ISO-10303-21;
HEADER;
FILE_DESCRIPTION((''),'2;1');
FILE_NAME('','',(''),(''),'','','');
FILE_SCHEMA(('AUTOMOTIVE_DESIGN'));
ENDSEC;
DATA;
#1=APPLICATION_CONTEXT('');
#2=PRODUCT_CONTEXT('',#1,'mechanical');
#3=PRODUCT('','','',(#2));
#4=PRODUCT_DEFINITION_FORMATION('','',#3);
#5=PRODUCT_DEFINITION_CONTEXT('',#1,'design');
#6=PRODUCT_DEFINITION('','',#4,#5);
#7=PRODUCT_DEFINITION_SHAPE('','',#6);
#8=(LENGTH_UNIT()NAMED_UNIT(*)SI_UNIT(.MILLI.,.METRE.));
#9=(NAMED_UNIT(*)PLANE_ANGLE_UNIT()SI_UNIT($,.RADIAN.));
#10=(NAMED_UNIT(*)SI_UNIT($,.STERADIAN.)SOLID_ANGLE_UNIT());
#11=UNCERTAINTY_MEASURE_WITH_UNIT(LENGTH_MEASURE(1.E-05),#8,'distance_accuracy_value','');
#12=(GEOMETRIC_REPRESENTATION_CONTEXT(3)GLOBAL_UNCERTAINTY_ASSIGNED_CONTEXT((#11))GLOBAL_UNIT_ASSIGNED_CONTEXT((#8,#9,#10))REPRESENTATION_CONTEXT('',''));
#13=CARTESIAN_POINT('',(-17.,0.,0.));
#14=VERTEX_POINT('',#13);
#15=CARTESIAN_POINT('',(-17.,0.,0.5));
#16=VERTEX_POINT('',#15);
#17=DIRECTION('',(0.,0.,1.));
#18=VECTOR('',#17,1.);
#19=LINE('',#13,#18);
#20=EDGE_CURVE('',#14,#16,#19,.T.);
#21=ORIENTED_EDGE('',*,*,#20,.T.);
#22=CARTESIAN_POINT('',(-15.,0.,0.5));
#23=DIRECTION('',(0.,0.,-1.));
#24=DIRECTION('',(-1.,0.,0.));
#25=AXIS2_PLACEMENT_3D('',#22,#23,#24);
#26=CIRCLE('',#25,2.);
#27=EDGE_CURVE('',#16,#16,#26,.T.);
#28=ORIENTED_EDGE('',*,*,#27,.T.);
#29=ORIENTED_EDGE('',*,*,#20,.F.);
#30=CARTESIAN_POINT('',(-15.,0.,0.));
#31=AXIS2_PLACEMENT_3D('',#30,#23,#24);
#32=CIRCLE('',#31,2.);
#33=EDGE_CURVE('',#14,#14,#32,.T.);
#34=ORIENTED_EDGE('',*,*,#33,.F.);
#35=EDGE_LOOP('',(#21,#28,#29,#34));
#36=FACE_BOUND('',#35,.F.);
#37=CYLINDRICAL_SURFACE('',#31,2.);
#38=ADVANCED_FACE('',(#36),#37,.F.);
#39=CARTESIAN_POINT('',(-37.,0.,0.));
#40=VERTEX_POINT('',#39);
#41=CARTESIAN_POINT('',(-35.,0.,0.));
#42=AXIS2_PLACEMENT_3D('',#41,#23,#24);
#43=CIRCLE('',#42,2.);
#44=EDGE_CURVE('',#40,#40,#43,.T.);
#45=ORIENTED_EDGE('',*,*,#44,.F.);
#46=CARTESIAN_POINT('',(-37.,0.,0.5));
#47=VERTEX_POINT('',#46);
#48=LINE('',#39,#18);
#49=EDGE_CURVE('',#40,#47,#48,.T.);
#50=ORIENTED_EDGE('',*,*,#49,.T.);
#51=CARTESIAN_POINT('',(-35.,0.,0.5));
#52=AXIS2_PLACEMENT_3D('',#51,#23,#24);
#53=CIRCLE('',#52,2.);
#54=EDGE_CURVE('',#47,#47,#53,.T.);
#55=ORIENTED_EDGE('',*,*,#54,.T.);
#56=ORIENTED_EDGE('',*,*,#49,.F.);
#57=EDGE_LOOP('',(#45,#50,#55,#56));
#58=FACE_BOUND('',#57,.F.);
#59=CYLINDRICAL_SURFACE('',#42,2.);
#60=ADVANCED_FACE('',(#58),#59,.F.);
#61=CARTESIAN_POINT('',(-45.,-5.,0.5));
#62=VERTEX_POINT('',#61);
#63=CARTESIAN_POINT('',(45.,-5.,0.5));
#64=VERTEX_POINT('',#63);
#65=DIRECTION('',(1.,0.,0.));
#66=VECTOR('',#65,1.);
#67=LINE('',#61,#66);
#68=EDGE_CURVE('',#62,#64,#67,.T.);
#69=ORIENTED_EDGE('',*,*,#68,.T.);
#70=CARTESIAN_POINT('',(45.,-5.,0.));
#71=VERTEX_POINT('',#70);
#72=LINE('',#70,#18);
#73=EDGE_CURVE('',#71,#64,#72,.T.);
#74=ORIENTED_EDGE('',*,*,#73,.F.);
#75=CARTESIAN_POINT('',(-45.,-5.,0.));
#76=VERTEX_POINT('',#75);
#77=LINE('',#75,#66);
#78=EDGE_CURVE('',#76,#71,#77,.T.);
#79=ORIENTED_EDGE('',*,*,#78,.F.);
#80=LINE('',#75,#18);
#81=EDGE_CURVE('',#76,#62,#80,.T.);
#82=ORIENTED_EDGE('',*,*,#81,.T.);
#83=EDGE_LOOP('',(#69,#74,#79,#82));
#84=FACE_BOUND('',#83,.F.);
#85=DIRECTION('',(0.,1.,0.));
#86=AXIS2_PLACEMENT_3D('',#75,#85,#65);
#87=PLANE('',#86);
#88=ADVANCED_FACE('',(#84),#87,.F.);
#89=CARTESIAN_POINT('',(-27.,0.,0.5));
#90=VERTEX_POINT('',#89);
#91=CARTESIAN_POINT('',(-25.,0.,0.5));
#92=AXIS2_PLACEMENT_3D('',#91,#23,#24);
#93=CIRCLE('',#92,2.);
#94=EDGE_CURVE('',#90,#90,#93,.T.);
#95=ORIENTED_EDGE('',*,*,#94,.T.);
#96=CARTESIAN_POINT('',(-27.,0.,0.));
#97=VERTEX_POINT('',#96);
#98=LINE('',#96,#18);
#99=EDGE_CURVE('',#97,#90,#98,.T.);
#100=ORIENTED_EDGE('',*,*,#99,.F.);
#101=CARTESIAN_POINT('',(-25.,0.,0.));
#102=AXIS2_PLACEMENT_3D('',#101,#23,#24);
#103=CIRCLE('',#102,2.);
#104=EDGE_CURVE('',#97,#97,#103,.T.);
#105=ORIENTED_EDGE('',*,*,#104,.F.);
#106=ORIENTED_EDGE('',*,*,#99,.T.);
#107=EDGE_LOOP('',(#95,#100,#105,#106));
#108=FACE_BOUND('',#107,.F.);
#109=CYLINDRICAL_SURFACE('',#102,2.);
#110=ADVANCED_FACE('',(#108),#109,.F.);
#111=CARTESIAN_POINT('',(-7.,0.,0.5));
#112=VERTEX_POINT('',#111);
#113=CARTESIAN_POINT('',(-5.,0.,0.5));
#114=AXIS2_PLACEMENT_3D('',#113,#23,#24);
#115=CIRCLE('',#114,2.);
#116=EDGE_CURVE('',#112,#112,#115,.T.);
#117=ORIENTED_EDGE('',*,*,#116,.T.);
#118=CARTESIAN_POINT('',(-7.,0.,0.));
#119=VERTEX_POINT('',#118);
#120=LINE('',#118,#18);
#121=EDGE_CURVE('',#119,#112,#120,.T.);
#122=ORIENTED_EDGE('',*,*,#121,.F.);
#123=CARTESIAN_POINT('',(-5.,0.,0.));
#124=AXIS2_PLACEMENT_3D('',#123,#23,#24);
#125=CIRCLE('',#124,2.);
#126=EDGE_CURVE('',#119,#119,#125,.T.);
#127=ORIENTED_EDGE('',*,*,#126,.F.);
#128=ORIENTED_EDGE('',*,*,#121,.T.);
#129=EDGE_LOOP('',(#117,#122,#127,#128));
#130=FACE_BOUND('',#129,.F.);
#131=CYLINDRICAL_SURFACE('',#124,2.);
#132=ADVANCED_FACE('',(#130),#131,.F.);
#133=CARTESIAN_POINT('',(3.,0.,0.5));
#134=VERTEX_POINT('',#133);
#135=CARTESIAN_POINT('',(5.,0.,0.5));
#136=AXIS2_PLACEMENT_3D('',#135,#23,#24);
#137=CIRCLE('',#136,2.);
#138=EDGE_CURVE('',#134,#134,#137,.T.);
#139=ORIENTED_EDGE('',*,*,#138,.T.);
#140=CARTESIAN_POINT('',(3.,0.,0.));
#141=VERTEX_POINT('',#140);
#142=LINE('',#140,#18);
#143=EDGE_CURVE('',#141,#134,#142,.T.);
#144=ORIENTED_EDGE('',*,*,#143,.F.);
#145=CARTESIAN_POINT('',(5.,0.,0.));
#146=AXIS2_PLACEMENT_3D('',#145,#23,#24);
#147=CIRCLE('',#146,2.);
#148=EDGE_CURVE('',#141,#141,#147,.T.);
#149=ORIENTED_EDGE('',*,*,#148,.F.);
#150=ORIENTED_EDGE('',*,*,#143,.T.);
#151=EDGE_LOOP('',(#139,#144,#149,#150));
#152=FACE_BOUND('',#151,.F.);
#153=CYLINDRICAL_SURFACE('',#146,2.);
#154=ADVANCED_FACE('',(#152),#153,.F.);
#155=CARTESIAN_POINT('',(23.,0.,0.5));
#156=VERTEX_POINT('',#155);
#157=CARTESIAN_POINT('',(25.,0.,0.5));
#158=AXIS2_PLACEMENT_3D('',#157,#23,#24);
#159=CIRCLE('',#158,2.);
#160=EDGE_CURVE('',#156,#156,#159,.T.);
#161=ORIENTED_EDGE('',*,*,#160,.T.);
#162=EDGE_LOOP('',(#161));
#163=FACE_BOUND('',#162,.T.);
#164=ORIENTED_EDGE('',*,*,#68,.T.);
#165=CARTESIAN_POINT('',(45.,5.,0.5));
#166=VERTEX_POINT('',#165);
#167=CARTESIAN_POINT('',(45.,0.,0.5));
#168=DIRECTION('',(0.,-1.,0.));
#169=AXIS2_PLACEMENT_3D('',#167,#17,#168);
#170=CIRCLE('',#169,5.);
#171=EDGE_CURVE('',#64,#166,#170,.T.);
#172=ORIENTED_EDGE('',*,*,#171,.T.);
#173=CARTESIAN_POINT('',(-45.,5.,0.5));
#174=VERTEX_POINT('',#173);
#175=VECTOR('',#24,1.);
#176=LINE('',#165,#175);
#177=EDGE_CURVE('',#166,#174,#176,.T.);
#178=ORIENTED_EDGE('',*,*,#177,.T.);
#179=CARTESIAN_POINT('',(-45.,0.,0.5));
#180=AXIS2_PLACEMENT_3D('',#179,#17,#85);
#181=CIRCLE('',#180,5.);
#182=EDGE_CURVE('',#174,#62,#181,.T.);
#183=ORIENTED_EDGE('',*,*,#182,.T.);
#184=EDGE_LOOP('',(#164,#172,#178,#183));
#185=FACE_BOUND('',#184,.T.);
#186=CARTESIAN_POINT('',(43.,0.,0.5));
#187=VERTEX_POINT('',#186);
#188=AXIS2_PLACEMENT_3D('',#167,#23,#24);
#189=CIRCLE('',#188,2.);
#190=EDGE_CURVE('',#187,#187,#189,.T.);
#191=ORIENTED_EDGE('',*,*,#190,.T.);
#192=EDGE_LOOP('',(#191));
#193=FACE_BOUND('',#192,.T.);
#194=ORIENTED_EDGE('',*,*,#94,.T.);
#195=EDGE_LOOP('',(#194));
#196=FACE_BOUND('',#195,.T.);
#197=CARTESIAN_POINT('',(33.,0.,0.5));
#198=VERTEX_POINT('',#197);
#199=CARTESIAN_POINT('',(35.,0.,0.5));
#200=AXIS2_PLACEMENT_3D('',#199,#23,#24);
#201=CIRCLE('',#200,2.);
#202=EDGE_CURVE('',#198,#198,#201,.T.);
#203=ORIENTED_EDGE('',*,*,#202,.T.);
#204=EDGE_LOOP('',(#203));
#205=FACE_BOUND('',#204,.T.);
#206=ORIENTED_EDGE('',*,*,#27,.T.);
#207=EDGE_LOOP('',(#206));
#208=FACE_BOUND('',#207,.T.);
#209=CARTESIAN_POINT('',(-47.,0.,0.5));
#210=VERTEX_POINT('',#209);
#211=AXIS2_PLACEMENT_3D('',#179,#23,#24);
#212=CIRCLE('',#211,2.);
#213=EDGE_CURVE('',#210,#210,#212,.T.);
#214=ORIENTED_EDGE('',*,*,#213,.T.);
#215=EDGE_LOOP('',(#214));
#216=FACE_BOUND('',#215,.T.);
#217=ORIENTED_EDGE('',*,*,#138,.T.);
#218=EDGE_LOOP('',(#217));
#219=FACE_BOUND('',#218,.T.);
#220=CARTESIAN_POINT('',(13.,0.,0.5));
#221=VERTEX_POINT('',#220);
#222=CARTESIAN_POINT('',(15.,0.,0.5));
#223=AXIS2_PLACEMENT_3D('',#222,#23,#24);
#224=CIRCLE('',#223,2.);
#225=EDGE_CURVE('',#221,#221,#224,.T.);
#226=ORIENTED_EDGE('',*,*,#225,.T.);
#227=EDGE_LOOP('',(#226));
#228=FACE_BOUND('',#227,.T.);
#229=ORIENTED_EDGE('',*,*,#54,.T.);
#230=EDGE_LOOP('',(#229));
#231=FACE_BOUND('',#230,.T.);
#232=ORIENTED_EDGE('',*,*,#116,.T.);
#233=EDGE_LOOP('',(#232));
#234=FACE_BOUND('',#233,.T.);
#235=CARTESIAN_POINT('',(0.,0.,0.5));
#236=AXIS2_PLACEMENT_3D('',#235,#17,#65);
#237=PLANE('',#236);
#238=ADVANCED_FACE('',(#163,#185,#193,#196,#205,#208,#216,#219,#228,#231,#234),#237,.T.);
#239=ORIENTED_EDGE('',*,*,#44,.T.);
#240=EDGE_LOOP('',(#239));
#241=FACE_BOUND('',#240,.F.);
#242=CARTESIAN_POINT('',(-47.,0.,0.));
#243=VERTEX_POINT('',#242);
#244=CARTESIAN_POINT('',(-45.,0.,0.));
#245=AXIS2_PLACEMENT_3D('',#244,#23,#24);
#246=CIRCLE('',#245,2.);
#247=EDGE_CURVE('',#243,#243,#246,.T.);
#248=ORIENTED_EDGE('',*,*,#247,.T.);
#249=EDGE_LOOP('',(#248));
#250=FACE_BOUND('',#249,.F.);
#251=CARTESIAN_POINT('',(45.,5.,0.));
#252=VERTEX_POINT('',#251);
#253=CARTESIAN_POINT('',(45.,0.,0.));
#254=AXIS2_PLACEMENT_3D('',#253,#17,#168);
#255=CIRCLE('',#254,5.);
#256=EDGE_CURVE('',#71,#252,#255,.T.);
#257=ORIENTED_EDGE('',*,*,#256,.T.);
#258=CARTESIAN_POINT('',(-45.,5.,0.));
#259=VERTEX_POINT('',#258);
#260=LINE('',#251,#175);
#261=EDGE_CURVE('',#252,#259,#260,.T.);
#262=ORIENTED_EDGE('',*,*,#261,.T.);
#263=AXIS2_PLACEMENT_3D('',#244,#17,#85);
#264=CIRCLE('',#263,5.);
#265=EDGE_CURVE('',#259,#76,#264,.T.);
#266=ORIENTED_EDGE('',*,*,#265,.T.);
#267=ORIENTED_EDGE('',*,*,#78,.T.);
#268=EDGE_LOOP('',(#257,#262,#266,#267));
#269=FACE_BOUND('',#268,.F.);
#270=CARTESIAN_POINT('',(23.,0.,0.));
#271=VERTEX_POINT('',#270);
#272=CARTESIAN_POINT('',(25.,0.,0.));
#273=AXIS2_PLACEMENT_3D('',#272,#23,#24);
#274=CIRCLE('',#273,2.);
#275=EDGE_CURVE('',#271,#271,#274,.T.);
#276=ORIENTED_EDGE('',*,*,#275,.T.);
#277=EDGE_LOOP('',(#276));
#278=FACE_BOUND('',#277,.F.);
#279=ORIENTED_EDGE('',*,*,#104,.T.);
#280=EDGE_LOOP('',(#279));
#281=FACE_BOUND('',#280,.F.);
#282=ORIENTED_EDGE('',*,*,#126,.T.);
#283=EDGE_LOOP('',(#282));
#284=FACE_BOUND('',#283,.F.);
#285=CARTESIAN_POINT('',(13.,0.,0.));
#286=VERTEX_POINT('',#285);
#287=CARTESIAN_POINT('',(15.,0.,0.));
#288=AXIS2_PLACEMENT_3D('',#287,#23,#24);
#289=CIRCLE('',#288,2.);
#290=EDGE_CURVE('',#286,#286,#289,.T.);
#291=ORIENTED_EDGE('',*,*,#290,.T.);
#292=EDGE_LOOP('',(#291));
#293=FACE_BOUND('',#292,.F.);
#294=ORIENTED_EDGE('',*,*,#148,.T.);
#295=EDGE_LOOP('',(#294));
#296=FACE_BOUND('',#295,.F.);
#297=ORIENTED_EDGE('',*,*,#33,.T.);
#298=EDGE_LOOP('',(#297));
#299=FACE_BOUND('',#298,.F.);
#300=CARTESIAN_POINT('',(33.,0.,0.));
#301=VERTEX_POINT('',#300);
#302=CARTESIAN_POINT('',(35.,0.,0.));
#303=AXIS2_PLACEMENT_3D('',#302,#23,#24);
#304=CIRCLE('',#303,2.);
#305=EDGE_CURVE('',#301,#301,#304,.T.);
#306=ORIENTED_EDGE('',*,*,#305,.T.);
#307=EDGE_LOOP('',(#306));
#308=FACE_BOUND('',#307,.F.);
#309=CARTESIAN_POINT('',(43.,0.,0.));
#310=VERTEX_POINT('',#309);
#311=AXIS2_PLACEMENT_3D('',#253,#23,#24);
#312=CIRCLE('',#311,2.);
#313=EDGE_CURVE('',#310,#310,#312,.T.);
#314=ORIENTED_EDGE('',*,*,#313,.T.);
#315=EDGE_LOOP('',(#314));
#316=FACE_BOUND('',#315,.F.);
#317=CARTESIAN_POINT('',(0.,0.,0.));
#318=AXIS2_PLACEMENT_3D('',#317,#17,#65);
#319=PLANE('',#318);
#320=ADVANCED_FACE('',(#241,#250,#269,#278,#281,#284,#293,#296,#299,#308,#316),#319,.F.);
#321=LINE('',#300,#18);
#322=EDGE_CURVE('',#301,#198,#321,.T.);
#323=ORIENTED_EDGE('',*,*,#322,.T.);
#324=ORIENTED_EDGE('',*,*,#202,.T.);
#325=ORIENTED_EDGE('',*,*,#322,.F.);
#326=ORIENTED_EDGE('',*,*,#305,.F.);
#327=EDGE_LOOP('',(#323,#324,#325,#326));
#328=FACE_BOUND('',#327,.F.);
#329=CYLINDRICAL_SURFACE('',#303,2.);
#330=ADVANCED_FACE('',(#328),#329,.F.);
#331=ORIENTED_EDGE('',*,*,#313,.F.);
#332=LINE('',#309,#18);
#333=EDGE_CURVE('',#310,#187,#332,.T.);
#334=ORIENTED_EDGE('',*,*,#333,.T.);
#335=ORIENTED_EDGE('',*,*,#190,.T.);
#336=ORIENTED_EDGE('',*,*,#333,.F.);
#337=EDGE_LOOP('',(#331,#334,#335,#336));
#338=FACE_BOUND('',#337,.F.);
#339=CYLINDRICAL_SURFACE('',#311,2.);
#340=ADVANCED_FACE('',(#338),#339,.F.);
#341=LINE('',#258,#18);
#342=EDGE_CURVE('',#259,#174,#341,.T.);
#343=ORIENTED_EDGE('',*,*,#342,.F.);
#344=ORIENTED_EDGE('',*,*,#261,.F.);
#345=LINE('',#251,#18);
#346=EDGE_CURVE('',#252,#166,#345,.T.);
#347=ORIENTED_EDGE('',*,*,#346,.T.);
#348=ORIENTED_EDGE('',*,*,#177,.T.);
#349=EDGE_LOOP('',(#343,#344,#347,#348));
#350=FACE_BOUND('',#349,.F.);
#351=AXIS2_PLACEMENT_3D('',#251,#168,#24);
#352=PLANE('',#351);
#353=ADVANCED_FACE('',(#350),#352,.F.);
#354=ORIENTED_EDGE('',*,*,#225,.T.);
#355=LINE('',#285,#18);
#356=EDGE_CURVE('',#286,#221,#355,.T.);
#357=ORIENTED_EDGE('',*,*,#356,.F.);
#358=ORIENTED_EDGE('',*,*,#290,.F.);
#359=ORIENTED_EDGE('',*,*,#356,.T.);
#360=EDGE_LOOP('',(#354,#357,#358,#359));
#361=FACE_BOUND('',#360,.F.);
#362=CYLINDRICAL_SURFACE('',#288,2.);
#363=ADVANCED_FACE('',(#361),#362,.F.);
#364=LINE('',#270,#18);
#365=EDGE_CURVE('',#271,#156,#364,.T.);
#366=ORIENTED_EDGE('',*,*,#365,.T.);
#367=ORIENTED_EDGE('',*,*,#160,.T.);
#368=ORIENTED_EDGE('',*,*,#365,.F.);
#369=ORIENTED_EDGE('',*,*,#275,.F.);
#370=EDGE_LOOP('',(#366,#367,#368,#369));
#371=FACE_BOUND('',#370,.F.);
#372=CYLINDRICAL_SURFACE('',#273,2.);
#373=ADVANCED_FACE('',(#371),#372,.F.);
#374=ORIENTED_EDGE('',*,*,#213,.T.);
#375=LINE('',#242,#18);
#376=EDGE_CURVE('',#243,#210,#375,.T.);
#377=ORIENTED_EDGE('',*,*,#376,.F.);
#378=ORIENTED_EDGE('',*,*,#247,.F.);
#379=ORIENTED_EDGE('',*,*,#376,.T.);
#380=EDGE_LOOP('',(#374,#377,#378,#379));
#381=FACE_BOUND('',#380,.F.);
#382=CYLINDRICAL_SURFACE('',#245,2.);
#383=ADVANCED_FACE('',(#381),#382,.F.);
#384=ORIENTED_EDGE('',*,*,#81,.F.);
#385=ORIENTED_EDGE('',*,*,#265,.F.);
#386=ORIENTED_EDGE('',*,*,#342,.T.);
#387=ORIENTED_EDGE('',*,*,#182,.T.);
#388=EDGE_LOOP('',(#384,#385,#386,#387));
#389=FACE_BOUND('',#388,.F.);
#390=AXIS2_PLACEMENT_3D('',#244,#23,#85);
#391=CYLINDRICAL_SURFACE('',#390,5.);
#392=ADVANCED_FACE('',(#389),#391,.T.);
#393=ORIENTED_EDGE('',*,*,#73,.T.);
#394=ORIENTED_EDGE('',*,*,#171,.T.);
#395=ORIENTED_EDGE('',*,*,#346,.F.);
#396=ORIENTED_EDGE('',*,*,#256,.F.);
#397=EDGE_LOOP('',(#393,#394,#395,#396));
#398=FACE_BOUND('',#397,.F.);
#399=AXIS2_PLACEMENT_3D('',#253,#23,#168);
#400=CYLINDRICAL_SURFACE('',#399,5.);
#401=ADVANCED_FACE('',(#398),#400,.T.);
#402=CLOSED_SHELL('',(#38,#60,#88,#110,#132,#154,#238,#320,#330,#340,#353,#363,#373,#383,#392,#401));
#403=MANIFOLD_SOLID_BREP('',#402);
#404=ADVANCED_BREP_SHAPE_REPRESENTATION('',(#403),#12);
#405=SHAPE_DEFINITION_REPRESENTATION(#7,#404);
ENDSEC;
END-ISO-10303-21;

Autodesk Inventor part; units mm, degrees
ref_plane "YZ Plane" through (0, 0, 0) normal (1, 0, 0) x (0, 1, 0)
ref_plane "XZ Plane" through (0, 0, 0) normal (0, 1, 0) x (-1, 0, 0)
ref_plane "XY Plane" through (0, 0, 0) normal (0, 0, 1) x (1, 0, 0)
sketch "Náčrt1" plane through (0, 0, 0) normal (0, 0, 1) x (1, 0, 0)
  line L0 (-45, 0) -> (45, 0) construction
  line L1 (-45, -5) -> (45, -5)
  line L2 (45, 5) -> (-45, 5)
  arc A0 (-45, 5) -> (-45, -5) centre (-45, 0) ccw
  arc A1 (45, -5) -> (45, 5) centre (45, 0) ccw
  point P0 (0, 0)
  point P1 (50, 0)
  dimension "d0" = 50
  dimension "d1" = 5
extrude "Vysunutí1" add sketch "Náčrt1" along normal blind 0.5
sketch "Náčrt2" plane through (0, 0, 0) normal (0, 0, -1) x (-1, 0, 0)
  arc A0 (45, -5) -> (45, 5) centre (45, 0) ccw projected
  circle A1 centre (45, 0) radius 2
  point P0 (0, 0)
  dimension "d4" = 4
extrude "Vysunutí2" cut sketch "Náčrt2" against normal through all
pattern_linear "Obdélníkové pole1" count 10 spacing 10 along (1, 0, 0) of "Vysunutí2"
properties part number "1010"
